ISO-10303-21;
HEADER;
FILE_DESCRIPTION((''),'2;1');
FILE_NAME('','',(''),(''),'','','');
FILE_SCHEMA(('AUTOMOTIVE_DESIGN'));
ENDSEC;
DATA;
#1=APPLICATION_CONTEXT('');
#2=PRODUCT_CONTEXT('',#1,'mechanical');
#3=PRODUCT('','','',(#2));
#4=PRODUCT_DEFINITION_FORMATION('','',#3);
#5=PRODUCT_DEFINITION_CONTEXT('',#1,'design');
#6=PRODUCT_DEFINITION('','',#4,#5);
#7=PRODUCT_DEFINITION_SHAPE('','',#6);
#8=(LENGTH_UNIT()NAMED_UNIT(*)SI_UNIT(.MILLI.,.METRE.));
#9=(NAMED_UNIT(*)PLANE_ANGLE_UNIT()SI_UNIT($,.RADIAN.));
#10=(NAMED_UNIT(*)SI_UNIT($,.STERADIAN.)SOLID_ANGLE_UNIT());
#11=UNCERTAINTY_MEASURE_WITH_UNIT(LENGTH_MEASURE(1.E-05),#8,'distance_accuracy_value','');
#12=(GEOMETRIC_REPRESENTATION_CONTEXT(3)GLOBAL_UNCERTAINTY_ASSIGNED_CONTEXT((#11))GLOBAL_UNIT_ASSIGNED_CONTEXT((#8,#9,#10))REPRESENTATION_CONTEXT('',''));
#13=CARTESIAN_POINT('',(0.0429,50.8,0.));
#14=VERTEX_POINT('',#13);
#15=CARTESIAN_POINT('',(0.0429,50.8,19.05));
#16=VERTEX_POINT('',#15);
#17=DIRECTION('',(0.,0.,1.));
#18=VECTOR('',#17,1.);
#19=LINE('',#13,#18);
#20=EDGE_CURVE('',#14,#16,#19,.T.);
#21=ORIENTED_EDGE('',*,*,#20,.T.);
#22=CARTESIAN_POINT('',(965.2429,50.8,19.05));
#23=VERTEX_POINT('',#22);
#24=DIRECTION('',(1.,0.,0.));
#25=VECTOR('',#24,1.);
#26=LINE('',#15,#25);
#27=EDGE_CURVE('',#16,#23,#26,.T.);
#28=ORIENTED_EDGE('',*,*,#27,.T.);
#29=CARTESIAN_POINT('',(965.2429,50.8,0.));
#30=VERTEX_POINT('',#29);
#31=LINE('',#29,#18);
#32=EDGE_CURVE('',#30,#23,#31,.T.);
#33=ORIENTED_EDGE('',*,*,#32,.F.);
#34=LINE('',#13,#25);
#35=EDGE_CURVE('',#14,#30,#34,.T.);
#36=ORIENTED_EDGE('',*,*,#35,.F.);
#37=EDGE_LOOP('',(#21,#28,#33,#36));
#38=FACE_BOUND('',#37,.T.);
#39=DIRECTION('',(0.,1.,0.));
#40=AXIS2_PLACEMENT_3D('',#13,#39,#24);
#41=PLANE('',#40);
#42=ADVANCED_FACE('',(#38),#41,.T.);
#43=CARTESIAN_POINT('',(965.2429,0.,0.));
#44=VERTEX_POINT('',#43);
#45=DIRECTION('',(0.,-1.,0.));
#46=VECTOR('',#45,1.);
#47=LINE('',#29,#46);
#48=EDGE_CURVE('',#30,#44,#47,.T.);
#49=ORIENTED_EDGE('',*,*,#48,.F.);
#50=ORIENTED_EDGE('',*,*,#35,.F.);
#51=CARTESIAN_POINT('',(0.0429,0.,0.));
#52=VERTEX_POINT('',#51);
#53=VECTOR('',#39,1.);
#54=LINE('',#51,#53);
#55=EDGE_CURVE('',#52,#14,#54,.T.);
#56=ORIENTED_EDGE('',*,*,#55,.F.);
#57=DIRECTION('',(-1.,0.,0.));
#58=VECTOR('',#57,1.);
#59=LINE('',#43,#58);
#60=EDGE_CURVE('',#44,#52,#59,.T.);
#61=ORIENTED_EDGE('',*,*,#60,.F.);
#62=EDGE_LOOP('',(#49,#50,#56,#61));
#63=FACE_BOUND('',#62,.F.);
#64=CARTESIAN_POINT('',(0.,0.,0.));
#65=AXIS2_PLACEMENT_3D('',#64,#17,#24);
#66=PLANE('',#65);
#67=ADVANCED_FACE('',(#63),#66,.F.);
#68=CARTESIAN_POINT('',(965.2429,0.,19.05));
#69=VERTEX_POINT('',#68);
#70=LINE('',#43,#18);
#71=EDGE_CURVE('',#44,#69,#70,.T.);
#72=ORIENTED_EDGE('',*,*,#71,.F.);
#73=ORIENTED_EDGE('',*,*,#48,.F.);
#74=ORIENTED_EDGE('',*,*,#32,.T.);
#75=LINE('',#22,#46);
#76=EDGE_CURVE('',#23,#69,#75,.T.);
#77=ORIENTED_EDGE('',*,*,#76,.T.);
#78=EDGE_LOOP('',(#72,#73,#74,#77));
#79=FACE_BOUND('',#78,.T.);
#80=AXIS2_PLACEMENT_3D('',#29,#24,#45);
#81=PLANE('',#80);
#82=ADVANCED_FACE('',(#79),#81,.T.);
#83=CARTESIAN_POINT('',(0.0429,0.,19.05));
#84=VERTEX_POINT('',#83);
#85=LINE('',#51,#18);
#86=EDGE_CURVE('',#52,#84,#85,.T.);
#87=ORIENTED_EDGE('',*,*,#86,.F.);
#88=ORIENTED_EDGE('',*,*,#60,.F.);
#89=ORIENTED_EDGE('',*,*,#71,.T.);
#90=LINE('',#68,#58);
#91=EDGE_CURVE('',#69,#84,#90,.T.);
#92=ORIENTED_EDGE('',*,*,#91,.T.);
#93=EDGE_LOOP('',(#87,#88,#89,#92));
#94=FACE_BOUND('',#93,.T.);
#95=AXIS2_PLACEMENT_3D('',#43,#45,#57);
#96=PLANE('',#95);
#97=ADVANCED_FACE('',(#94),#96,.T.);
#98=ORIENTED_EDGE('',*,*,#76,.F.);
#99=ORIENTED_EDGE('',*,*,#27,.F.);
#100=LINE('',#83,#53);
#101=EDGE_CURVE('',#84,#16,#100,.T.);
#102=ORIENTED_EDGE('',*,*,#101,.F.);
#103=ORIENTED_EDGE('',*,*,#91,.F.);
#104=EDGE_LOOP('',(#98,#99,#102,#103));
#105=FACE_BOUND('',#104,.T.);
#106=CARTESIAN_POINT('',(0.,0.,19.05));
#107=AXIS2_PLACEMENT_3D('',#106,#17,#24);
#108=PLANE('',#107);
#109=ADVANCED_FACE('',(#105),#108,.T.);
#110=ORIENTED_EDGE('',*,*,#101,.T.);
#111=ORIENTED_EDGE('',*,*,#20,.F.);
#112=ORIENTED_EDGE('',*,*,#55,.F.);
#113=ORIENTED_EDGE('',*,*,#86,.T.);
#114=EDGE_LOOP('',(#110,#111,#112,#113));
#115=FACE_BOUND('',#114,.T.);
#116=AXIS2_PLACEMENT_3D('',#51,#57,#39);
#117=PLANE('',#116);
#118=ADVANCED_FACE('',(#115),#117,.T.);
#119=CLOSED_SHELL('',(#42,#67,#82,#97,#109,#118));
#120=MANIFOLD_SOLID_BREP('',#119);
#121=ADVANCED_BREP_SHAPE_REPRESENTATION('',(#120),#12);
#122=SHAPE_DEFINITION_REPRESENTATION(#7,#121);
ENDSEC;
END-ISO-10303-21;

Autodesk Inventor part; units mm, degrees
ref_plane "YZ Plane" through (0, 0, 0) normal (1, 0, 0) x (0, 1, 0)
ref_plane "XZ Plane" through (0, 0, 0) normal (0, 1, 0) x (-1, 0, 0)
ref_plane "XY Plane" through (0, 0, 0) normal (0, 0, 1) x (1, 0, 0)
sketch "Sketch1" plane through (0, 0, 0) normal (0, 0, 1) x (1, 0, 0)
  line L0 (0.0429, 0) -> (0.0429, 50.8)
  line L1 (0.0429, 50.8) -> (965.2429, 50.8)
  line L2 (965.2429, 50.8) -> (965.2429, 0)
  line L3 (965.2429, 0) -> (0.0429, 0)
  point P0 (0, 0)
extrude "Extrusion1" add sketch "Sketch1" along normal blind 19.05
properties part number "nd-b"
